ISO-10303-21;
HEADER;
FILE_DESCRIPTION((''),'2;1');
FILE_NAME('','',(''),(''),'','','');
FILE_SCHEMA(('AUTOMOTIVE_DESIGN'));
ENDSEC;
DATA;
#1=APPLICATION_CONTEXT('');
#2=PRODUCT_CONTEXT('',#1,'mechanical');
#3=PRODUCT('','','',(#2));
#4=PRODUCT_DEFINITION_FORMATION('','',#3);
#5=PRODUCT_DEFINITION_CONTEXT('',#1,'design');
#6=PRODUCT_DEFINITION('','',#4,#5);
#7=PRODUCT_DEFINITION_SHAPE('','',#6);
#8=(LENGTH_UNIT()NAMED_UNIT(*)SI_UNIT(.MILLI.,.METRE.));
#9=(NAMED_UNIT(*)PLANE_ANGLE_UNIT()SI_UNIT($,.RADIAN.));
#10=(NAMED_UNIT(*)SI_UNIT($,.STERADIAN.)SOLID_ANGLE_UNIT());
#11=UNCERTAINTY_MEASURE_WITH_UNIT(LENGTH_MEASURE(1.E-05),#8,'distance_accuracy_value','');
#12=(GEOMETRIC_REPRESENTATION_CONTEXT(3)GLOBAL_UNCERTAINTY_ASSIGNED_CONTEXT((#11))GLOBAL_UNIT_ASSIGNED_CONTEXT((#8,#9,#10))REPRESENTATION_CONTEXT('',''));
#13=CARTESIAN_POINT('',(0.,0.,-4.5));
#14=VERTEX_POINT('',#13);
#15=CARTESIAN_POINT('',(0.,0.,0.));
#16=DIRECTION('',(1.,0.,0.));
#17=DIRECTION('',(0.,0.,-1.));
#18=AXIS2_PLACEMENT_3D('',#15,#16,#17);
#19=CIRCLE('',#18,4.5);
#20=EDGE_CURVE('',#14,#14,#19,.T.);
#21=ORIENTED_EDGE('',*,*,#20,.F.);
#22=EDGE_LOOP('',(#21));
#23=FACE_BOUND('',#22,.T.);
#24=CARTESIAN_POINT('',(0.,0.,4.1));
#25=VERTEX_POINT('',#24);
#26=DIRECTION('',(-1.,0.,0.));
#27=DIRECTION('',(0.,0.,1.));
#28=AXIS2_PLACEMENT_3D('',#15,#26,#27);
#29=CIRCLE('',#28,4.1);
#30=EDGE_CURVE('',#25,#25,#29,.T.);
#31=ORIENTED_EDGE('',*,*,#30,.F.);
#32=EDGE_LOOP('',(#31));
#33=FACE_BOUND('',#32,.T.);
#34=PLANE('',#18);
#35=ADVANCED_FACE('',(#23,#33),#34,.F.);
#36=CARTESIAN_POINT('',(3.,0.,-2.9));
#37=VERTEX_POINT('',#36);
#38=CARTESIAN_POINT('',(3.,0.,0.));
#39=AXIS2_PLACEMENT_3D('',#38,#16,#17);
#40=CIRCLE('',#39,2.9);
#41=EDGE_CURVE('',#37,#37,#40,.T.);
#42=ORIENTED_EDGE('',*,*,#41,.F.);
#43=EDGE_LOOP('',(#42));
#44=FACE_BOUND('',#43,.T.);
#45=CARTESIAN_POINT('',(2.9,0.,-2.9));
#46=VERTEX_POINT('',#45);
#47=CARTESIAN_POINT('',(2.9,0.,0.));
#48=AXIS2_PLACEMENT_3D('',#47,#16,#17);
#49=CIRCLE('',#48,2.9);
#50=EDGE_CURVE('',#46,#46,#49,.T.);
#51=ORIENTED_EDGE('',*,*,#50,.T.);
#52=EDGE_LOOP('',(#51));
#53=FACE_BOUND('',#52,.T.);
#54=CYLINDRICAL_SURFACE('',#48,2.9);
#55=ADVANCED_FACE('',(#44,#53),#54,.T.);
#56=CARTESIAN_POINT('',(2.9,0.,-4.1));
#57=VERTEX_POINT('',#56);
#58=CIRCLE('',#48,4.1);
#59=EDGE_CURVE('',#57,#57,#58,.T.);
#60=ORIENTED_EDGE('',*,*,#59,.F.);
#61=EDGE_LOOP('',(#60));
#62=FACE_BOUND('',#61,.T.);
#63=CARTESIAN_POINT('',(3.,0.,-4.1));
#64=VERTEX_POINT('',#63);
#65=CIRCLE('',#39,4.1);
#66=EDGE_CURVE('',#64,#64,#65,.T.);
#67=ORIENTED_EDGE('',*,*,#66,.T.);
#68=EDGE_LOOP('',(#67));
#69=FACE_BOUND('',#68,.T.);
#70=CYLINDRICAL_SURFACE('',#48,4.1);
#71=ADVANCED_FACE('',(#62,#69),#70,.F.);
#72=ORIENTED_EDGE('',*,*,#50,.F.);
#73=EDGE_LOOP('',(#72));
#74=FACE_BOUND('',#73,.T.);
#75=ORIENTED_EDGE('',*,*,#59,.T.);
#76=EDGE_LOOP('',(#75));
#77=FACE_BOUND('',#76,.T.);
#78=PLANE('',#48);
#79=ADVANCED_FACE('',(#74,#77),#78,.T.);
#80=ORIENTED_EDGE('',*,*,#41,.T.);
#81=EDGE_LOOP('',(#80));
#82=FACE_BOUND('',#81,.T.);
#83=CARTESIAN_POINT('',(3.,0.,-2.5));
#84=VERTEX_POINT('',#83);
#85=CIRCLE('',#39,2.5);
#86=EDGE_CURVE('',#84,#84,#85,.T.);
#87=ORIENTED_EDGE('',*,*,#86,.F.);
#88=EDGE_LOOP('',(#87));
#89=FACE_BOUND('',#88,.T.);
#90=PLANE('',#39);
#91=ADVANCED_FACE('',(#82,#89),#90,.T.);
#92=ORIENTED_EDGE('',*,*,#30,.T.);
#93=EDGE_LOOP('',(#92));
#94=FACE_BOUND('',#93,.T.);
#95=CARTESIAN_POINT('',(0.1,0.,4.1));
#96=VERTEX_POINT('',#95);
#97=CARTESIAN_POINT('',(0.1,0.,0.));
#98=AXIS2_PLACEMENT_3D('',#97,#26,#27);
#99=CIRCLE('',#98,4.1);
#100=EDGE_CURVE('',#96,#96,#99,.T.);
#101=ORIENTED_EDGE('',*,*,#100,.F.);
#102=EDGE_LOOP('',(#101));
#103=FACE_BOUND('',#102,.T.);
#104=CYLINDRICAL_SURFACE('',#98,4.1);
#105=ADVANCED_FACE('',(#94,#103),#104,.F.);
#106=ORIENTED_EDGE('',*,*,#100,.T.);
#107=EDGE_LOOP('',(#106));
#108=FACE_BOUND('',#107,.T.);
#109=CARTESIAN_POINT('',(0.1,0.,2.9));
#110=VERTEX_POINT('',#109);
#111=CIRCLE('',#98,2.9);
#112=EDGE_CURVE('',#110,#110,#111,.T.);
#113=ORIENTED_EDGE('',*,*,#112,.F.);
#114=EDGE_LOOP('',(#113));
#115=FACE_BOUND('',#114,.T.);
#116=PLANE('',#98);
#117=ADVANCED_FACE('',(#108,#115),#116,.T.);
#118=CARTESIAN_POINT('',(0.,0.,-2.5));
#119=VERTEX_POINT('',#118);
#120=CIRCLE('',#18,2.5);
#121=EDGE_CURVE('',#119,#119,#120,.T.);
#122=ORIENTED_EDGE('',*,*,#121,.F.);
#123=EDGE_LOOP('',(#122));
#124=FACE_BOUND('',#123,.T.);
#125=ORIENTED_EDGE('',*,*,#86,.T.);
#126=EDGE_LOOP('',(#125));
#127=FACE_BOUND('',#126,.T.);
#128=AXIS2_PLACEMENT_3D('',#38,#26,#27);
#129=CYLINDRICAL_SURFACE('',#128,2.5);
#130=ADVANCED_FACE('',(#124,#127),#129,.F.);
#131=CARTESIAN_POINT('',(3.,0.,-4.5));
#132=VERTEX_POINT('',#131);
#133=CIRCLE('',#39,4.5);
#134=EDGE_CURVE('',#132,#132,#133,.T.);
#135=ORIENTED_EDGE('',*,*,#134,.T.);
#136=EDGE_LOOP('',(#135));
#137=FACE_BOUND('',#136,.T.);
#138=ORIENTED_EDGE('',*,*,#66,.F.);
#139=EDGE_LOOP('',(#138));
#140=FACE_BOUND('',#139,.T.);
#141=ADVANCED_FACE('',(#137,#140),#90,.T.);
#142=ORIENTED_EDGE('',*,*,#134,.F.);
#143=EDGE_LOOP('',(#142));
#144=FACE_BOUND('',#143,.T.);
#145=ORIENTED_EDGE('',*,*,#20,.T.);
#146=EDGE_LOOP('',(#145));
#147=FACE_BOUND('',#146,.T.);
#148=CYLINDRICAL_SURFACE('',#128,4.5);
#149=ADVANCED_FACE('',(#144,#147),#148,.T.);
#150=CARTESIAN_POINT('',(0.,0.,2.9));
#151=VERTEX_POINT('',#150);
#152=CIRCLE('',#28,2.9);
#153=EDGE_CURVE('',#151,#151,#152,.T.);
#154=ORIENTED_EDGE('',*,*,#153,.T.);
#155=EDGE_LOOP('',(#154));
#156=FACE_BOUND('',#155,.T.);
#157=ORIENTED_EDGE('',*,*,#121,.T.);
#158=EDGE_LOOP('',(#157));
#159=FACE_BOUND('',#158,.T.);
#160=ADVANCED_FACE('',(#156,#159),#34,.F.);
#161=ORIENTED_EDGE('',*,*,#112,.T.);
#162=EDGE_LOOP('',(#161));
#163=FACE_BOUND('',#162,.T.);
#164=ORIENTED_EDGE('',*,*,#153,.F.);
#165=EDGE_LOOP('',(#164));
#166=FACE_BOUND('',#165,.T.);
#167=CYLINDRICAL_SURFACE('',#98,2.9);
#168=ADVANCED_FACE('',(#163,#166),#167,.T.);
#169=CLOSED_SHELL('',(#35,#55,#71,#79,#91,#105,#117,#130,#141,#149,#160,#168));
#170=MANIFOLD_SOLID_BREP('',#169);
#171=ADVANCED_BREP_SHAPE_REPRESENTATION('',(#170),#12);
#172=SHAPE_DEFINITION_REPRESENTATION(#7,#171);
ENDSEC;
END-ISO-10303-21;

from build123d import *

# Parameters (mm, degrees)
SKETCH1_R           = 4.5
SKETCH1_R_2         = 2.5
BOSS_EXTRUDE1_DEPTH = 3
SKETCH2_R           = 4.1
SKETCH2_R_2         = 2.9
CUT_EXTRUDE1_DEPTH  = 0.1
CUT_EXTRUDE2_START  = -0.1
SKETCH3_R           = 4.1
SKETCH3_R_2         = 2.9
CUT_EXTRUDE2_DEPTH  = 0.1


with BuildPart() as part:
    # Sketch1 → Boss-Extrude1 (new body)
    with BuildSketch(Plane(origin=(0, 0, 0), x_dir=(0, 0, -1), z_dir=(1, 0, 0))):
        Circle(SKETCH1_R)
        Circle(SKETCH1_R_2, mode=Mode.SUBTRACT)
    extrude(amount=BOSS_EXTRUDE1_DEPTH)

    # Sketch2 → Cut-Extrude1 (cut)
    with BuildSketch(Plane(origin=(3, 0, 0), x_dir=(0, 0, -1), z_dir=(1, 0, 0))):
        Circle(SKETCH2_R)
        Circle(SKETCH2_R_2, mode=Mode.SUBTRACT)
    extrude(amount=-CUT_EXTRUDE1_DEPTH, mode=Mode.SUBTRACT)

    # Sketch3 → Cut-Extrude2 (cut)
    with BuildSketch(Plane.ZY.offset(CUT_EXTRUDE2_START)):
        with Locations(Location((0, 0, 0), (0, 0, 180))):
            Circle(SKETCH3_R)
        with Locations(Location((0, 0, 0), (0, 0, 180))):
            Circle(SKETCH3_R_2, mode=Mode.SUBTRACT)
    extrude(amount=CUT_EXTRUDE2_DEPTH, mode=Mode.SUBTRACT)


solid = part.part
